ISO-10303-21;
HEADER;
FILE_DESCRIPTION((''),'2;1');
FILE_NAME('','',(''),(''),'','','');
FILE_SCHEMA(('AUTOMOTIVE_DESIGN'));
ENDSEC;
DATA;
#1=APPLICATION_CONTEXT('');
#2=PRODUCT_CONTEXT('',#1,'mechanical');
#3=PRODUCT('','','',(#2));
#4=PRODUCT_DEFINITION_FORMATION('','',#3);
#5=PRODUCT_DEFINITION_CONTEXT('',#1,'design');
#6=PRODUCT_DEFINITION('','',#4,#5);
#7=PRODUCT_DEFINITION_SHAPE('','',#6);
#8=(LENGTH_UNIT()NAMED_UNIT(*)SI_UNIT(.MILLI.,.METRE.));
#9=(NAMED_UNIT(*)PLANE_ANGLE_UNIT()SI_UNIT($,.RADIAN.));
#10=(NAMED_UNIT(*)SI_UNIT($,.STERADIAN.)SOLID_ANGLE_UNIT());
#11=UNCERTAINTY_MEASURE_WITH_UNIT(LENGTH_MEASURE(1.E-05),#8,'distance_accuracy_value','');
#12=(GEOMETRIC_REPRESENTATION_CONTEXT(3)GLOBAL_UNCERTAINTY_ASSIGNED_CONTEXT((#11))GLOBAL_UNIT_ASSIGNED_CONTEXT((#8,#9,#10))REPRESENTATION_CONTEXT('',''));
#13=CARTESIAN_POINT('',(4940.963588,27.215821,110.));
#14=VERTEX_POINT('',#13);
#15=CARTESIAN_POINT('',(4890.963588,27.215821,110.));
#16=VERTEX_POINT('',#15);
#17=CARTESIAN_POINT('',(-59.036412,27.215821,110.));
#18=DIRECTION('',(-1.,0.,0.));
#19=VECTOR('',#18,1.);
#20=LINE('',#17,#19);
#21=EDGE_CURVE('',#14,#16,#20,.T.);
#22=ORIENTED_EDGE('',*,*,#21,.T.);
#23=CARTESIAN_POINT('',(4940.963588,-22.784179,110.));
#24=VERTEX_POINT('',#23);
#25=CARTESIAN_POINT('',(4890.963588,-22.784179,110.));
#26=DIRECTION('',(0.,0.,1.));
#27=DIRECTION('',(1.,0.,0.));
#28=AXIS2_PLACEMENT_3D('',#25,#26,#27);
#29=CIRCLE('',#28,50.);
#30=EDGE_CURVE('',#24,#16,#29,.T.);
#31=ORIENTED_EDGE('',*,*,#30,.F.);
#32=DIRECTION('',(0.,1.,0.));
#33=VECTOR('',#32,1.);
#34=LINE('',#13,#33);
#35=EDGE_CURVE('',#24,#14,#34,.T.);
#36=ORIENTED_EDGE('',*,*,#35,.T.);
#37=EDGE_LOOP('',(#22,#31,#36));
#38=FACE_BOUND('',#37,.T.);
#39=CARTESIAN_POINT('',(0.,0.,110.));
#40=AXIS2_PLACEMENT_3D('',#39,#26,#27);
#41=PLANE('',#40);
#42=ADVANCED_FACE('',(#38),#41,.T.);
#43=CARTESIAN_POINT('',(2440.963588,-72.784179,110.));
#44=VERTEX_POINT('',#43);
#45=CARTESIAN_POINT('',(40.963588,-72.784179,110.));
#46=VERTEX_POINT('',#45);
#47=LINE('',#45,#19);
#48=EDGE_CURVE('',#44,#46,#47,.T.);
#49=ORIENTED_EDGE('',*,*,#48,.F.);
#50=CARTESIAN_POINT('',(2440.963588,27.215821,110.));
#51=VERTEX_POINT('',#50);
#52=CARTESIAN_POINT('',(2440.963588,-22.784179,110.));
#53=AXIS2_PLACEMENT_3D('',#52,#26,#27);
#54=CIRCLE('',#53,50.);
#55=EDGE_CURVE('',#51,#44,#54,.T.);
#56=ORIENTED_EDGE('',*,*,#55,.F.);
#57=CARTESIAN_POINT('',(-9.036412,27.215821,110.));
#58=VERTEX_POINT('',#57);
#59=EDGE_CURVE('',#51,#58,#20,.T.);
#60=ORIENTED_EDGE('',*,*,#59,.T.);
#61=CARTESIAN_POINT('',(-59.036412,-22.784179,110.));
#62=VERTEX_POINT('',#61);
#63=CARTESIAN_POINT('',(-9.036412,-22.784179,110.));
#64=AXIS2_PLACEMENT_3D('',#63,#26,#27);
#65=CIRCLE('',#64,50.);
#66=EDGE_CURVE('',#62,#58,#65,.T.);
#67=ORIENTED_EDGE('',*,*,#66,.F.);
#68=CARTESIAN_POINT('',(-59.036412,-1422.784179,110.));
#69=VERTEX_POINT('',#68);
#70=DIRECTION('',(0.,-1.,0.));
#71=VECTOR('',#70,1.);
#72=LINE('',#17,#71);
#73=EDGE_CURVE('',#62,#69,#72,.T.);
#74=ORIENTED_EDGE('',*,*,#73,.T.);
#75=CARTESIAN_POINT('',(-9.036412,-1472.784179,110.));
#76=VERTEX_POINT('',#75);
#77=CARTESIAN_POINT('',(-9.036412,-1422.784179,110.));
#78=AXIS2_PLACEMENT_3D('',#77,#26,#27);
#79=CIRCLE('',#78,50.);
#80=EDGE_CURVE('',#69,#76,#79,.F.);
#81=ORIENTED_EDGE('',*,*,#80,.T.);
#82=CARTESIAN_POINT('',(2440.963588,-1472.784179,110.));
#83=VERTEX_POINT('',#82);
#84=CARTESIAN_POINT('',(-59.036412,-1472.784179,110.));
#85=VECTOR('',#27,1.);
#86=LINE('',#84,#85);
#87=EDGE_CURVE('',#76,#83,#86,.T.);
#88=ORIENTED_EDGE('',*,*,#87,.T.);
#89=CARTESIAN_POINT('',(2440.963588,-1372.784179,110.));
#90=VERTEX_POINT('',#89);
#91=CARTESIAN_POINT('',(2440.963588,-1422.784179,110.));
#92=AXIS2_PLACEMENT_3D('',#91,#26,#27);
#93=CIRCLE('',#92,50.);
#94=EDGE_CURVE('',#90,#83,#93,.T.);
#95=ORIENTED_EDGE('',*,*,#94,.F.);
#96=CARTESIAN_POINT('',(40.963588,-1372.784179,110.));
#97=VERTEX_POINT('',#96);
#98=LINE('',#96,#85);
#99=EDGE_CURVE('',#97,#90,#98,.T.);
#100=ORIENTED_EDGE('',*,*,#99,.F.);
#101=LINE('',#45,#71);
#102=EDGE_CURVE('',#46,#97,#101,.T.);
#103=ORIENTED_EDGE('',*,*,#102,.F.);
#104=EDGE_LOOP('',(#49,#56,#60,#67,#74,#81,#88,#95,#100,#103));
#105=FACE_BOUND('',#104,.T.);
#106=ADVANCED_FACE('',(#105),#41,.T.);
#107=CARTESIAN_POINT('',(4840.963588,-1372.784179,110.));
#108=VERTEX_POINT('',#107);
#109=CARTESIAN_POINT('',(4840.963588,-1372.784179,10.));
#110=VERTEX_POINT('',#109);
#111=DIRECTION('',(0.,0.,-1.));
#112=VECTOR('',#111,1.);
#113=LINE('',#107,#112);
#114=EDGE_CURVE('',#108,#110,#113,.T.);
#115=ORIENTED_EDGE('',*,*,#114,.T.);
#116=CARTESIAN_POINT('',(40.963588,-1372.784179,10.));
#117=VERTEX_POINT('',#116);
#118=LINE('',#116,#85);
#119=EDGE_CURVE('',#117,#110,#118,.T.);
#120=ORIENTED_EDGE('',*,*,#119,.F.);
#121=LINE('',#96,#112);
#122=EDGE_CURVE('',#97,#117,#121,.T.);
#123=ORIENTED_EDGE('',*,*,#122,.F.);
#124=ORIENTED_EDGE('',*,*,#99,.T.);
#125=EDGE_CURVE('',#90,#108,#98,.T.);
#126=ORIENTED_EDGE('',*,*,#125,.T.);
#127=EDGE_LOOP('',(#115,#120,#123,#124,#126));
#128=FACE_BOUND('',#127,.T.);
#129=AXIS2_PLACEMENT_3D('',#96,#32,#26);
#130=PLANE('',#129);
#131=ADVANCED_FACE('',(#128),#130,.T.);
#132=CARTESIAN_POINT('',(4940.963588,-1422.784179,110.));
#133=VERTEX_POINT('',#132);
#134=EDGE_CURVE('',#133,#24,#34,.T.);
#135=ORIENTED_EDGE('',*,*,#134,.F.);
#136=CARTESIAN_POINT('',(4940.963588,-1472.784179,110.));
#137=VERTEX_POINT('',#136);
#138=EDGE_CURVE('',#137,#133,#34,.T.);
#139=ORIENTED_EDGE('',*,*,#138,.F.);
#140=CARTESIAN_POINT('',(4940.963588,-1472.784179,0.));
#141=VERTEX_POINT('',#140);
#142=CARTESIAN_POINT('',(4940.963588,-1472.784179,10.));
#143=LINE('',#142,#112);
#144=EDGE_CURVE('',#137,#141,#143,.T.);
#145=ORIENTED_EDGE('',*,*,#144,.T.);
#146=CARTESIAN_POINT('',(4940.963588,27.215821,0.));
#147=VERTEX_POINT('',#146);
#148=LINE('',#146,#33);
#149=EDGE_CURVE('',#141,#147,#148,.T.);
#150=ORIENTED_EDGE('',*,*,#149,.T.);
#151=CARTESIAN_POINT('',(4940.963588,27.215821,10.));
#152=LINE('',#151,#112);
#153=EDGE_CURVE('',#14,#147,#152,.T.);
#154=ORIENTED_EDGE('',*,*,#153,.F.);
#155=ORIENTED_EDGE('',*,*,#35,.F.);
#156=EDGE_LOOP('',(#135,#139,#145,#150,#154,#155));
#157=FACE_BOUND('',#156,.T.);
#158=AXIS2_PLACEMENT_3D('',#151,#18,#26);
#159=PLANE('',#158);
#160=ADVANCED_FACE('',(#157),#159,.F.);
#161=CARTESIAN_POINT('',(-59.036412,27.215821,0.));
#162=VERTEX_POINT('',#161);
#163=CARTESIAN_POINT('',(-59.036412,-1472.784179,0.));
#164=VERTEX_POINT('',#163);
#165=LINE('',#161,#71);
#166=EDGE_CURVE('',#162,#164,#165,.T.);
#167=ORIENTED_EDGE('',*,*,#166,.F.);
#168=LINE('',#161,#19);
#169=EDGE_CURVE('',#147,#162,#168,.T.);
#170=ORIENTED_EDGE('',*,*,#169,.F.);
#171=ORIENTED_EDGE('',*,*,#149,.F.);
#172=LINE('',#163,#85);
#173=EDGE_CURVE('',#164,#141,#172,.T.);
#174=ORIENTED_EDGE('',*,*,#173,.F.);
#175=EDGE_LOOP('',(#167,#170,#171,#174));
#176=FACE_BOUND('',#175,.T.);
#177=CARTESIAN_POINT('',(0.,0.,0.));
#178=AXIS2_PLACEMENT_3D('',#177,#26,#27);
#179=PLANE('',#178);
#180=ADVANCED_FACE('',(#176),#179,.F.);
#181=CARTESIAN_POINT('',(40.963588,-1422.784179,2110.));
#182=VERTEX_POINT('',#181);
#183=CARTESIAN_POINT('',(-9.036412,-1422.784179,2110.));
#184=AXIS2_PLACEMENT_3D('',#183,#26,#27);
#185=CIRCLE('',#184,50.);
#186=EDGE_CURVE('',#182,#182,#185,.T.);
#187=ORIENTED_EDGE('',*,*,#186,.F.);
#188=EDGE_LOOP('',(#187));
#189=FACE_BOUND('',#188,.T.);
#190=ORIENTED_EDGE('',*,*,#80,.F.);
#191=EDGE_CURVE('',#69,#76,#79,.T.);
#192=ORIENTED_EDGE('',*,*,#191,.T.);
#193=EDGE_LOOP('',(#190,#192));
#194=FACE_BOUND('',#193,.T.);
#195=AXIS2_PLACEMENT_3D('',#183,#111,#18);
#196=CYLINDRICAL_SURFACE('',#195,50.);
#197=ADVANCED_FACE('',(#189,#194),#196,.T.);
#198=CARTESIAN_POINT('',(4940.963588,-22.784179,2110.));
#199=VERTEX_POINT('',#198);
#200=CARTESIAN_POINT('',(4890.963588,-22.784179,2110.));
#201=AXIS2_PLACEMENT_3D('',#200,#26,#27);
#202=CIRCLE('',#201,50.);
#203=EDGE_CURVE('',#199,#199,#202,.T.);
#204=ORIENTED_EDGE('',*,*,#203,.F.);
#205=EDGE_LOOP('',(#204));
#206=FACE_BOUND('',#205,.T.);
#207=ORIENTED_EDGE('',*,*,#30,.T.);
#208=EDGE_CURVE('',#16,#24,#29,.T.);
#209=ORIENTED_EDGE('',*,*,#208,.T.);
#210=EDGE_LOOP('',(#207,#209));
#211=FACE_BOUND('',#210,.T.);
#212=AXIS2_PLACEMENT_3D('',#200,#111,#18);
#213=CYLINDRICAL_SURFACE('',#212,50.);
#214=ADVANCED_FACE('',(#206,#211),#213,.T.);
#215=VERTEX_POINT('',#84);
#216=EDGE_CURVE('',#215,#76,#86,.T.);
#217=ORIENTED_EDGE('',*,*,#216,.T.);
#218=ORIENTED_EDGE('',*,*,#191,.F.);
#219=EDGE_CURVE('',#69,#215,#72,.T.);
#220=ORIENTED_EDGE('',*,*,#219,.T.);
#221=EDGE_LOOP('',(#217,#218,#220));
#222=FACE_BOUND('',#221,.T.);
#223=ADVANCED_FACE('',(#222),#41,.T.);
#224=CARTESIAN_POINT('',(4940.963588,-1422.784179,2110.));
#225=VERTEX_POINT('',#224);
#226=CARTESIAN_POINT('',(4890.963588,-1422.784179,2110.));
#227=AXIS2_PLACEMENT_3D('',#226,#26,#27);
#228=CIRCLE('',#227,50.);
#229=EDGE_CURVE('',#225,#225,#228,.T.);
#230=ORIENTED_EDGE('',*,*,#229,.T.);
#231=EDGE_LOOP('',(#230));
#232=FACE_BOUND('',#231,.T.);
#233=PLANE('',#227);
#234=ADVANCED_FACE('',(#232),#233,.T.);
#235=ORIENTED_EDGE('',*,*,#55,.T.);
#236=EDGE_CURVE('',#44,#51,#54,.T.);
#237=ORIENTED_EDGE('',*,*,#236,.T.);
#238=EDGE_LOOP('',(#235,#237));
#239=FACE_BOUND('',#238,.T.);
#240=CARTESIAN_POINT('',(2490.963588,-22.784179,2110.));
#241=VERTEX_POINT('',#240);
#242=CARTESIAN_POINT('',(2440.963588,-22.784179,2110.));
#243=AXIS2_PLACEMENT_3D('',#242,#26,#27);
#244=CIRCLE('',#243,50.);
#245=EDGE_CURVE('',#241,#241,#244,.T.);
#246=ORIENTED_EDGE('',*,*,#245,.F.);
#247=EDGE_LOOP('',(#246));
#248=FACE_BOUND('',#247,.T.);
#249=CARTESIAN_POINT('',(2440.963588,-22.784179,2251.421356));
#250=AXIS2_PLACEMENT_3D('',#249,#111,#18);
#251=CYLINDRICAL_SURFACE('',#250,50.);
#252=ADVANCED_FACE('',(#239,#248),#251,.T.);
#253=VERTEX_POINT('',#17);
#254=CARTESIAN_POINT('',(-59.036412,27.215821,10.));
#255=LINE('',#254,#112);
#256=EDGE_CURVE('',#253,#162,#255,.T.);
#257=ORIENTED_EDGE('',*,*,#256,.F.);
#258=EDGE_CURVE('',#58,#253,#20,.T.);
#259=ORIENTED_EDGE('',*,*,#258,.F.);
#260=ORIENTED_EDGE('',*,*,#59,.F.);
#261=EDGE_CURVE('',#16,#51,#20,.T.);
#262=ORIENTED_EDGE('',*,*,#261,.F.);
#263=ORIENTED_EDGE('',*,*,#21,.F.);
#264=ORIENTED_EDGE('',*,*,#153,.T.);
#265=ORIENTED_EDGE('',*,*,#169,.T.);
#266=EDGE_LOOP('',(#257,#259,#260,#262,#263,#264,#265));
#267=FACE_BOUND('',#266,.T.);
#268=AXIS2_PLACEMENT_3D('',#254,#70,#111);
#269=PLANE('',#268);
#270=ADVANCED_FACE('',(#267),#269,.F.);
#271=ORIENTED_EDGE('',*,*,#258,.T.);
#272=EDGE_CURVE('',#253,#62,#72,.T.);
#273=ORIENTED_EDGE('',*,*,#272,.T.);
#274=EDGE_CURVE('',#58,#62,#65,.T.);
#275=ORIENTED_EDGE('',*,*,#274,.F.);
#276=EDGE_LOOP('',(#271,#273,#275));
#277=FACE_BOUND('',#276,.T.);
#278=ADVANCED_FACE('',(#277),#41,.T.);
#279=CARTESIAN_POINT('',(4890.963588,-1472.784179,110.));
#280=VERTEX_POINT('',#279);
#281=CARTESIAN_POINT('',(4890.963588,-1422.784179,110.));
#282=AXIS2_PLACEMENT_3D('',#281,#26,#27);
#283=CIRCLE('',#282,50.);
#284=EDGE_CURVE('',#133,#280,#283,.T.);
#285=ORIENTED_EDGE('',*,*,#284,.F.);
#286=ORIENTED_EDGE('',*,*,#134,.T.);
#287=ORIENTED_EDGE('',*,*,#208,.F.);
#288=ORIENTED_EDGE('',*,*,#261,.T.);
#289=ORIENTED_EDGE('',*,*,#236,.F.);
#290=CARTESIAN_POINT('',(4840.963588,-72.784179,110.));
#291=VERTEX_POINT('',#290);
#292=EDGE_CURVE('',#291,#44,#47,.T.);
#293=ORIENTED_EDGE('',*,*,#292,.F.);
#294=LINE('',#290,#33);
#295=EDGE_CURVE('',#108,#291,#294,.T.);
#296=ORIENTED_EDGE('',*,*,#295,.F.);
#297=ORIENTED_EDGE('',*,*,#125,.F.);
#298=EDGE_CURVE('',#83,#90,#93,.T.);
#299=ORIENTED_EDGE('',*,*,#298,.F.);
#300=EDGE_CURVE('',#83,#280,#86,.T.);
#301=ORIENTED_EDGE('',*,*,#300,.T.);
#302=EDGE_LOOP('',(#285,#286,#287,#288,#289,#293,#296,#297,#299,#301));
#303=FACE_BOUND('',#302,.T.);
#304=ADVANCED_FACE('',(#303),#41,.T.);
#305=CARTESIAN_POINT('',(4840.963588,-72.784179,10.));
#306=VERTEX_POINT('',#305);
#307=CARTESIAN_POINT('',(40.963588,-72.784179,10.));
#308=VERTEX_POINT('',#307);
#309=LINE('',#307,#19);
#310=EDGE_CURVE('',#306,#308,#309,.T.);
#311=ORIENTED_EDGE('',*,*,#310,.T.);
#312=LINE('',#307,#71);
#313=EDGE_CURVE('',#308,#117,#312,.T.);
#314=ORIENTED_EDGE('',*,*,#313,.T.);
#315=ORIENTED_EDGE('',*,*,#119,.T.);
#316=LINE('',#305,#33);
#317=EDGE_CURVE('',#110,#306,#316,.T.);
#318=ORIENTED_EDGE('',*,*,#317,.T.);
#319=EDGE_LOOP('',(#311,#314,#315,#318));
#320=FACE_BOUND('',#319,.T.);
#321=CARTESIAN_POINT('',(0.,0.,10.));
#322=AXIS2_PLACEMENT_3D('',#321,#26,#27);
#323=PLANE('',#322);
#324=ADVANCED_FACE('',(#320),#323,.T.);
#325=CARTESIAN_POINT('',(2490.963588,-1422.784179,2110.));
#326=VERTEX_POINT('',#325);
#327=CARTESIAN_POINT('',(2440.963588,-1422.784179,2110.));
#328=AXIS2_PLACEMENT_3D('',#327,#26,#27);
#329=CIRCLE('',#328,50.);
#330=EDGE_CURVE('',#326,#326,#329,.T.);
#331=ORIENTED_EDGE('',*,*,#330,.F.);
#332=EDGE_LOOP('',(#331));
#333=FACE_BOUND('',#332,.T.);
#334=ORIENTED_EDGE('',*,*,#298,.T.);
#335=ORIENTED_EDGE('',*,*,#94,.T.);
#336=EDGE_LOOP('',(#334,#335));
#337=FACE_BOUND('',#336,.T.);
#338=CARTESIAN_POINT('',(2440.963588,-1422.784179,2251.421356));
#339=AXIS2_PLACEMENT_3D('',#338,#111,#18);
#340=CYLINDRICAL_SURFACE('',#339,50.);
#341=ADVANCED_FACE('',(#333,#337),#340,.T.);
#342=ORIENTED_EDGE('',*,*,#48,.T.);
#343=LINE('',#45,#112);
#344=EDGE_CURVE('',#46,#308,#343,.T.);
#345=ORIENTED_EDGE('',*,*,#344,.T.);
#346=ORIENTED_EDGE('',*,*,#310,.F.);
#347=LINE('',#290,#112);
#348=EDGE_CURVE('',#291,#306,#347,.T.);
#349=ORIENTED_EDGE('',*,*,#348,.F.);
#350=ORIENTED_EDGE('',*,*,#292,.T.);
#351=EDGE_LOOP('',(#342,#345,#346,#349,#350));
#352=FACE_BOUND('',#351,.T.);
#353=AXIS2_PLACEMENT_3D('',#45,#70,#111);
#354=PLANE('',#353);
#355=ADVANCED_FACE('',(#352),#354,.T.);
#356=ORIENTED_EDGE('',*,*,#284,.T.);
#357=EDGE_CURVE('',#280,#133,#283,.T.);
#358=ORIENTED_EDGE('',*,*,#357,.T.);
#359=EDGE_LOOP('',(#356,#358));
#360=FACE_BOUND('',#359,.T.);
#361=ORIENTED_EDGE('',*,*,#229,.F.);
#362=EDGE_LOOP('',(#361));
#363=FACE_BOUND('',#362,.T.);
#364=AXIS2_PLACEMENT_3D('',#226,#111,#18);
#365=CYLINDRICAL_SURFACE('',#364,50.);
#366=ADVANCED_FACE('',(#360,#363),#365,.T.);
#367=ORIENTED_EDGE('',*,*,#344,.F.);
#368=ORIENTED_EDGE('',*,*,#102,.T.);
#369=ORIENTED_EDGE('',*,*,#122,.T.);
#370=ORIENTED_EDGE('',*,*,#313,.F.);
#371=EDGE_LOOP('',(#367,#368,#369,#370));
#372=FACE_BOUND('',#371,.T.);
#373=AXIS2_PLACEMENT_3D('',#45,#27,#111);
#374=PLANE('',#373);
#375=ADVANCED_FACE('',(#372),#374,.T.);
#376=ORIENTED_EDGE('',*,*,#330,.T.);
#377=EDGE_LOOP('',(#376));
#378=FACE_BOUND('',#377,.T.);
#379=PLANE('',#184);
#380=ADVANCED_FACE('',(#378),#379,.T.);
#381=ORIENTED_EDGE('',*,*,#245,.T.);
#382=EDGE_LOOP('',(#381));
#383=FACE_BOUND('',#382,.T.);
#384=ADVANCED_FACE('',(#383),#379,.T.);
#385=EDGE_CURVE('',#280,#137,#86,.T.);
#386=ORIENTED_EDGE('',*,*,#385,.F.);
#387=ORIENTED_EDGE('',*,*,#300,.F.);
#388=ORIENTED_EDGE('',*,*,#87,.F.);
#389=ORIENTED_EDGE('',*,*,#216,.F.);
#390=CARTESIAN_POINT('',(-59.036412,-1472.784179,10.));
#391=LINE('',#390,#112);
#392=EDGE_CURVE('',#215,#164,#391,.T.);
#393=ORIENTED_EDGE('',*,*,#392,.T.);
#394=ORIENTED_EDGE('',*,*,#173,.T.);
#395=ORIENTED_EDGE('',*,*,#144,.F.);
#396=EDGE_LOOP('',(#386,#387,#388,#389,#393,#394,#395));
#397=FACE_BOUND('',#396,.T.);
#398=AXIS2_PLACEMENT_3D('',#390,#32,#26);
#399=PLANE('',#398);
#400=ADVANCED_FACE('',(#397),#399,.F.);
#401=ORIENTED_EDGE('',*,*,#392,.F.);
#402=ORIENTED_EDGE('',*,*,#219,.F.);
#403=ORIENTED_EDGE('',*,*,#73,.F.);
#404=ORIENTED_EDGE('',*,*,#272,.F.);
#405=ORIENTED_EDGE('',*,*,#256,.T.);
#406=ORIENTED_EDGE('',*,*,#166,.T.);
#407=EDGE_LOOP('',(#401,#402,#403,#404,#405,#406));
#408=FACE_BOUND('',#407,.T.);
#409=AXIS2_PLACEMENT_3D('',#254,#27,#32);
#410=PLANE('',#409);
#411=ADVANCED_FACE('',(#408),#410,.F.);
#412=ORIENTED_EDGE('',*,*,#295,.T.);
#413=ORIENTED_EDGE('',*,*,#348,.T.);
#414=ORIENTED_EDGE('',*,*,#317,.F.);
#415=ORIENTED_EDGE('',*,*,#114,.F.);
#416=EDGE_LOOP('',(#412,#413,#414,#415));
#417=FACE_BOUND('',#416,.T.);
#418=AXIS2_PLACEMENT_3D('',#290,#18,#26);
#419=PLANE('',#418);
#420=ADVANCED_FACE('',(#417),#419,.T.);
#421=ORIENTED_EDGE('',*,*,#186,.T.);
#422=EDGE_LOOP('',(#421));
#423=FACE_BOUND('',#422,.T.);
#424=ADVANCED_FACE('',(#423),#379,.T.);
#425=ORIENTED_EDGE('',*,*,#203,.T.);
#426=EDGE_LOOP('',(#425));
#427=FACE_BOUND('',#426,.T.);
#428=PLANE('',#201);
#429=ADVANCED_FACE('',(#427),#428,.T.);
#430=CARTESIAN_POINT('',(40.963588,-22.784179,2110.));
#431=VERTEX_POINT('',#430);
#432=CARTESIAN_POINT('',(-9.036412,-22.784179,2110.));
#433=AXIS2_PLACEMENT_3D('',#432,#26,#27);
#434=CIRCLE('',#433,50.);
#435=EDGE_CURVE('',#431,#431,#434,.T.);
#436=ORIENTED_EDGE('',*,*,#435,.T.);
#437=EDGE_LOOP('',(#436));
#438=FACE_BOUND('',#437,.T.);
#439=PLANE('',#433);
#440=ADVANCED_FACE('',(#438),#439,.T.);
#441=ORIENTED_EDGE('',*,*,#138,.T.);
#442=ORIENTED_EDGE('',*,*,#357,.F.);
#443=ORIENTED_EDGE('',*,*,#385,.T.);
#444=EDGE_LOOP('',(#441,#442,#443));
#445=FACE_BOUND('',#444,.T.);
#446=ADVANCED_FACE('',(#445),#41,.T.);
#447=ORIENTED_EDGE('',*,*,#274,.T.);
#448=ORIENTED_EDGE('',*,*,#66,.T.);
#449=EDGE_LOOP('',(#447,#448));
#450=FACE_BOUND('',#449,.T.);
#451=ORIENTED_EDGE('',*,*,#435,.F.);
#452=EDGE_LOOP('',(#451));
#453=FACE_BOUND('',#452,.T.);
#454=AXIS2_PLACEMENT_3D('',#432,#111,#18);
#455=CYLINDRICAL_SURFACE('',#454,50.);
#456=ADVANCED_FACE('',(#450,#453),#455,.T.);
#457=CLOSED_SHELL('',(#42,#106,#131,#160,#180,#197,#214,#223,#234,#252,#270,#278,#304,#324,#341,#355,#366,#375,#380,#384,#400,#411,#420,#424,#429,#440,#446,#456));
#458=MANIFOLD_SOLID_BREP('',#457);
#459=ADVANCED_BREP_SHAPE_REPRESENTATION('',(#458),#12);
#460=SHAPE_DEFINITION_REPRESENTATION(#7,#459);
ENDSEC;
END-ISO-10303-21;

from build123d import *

# Parameters (mm, degrees)
SKETCH_1_W      = 5000
SKETCH_1_H      = 1500
EXTRUDE_1_DEPTH = 10
SKETCH_2_W      = 5000
SKETCH_2_H      = 1500
SKETCH_2_W_2    = 4800
SKETCH_2_H_2    = 1300
EXTRUDE_2_DEPTH = 100
SKETCH_3_R      = 50
EXTRUDE_3_DEPTH = 2000
SKETCH_4_R      = 50
EXTRUDE_4_DEPTH = 2000


with BuildPart() as part:
    # 草图1 → 凸台-拉伸1 (new body)
    with BuildSketch(Plane.XY):
        with Locations((2440.963587986, -722.784179357)):
            Rectangle(SKETCH_1_W, SKETCH_1_H)
    extrude(amount=EXTRUDE_1_DEPTH)

    # 草图2 → 凸台-拉伸2 (add)
    with BuildSketch(Plane.XY.offset(10)):
        with Locations((2440.963587986, -722.784179357)):
            Rectangle(SKETCH_2_W, SKETCH_2_H)
        with Locations((2440.963587986, -722.784179357)):
            Rectangle(SKETCH_2_W_2, SKETCH_2_H_2, mode=Mode.SUBTRACT)
    extrude(amount=EXTRUDE_2_DEPTH)

    # 草图3 → 凸台-拉伸3 (add)
    with BuildSketch(Plane.XY.offset(110)):
        with Locations(Location((-9.036412014, -22.784179357, 0), (0, 0, 180))):
            Circle(SKETCH_3_R)
        with Locations(Location((-9.036412014, -1422.784179357, 0), (0, 0, 180))):
            Circle(SKETCH_3_R)
        with Locations((4890.963587986, -1422.784179357)):
            Circle(SKETCH_3_R)
        with Locations((4890.963587986, -22.784179357)):
            Circle(SKETCH_3_R)
    extrude(amount=EXTRUDE_3_DEPTH)

    # 草图4 → 凸台-拉伸4 (add)
    with BuildSketch(Plane.XY.offset(110)):
        with Locations(Location((2440.963587986, -22.784179357, 0), (0, 0, 270))):
            Circle(SKETCH_4_R)
        with Locations(Location((2440.963587986, -1422.784179357, 0), (0, 0, 270))):
            Circle(SKETCH_4_R)
    extrude(amount=EXTRUDE_4_DEPTH)


solid = part.part
